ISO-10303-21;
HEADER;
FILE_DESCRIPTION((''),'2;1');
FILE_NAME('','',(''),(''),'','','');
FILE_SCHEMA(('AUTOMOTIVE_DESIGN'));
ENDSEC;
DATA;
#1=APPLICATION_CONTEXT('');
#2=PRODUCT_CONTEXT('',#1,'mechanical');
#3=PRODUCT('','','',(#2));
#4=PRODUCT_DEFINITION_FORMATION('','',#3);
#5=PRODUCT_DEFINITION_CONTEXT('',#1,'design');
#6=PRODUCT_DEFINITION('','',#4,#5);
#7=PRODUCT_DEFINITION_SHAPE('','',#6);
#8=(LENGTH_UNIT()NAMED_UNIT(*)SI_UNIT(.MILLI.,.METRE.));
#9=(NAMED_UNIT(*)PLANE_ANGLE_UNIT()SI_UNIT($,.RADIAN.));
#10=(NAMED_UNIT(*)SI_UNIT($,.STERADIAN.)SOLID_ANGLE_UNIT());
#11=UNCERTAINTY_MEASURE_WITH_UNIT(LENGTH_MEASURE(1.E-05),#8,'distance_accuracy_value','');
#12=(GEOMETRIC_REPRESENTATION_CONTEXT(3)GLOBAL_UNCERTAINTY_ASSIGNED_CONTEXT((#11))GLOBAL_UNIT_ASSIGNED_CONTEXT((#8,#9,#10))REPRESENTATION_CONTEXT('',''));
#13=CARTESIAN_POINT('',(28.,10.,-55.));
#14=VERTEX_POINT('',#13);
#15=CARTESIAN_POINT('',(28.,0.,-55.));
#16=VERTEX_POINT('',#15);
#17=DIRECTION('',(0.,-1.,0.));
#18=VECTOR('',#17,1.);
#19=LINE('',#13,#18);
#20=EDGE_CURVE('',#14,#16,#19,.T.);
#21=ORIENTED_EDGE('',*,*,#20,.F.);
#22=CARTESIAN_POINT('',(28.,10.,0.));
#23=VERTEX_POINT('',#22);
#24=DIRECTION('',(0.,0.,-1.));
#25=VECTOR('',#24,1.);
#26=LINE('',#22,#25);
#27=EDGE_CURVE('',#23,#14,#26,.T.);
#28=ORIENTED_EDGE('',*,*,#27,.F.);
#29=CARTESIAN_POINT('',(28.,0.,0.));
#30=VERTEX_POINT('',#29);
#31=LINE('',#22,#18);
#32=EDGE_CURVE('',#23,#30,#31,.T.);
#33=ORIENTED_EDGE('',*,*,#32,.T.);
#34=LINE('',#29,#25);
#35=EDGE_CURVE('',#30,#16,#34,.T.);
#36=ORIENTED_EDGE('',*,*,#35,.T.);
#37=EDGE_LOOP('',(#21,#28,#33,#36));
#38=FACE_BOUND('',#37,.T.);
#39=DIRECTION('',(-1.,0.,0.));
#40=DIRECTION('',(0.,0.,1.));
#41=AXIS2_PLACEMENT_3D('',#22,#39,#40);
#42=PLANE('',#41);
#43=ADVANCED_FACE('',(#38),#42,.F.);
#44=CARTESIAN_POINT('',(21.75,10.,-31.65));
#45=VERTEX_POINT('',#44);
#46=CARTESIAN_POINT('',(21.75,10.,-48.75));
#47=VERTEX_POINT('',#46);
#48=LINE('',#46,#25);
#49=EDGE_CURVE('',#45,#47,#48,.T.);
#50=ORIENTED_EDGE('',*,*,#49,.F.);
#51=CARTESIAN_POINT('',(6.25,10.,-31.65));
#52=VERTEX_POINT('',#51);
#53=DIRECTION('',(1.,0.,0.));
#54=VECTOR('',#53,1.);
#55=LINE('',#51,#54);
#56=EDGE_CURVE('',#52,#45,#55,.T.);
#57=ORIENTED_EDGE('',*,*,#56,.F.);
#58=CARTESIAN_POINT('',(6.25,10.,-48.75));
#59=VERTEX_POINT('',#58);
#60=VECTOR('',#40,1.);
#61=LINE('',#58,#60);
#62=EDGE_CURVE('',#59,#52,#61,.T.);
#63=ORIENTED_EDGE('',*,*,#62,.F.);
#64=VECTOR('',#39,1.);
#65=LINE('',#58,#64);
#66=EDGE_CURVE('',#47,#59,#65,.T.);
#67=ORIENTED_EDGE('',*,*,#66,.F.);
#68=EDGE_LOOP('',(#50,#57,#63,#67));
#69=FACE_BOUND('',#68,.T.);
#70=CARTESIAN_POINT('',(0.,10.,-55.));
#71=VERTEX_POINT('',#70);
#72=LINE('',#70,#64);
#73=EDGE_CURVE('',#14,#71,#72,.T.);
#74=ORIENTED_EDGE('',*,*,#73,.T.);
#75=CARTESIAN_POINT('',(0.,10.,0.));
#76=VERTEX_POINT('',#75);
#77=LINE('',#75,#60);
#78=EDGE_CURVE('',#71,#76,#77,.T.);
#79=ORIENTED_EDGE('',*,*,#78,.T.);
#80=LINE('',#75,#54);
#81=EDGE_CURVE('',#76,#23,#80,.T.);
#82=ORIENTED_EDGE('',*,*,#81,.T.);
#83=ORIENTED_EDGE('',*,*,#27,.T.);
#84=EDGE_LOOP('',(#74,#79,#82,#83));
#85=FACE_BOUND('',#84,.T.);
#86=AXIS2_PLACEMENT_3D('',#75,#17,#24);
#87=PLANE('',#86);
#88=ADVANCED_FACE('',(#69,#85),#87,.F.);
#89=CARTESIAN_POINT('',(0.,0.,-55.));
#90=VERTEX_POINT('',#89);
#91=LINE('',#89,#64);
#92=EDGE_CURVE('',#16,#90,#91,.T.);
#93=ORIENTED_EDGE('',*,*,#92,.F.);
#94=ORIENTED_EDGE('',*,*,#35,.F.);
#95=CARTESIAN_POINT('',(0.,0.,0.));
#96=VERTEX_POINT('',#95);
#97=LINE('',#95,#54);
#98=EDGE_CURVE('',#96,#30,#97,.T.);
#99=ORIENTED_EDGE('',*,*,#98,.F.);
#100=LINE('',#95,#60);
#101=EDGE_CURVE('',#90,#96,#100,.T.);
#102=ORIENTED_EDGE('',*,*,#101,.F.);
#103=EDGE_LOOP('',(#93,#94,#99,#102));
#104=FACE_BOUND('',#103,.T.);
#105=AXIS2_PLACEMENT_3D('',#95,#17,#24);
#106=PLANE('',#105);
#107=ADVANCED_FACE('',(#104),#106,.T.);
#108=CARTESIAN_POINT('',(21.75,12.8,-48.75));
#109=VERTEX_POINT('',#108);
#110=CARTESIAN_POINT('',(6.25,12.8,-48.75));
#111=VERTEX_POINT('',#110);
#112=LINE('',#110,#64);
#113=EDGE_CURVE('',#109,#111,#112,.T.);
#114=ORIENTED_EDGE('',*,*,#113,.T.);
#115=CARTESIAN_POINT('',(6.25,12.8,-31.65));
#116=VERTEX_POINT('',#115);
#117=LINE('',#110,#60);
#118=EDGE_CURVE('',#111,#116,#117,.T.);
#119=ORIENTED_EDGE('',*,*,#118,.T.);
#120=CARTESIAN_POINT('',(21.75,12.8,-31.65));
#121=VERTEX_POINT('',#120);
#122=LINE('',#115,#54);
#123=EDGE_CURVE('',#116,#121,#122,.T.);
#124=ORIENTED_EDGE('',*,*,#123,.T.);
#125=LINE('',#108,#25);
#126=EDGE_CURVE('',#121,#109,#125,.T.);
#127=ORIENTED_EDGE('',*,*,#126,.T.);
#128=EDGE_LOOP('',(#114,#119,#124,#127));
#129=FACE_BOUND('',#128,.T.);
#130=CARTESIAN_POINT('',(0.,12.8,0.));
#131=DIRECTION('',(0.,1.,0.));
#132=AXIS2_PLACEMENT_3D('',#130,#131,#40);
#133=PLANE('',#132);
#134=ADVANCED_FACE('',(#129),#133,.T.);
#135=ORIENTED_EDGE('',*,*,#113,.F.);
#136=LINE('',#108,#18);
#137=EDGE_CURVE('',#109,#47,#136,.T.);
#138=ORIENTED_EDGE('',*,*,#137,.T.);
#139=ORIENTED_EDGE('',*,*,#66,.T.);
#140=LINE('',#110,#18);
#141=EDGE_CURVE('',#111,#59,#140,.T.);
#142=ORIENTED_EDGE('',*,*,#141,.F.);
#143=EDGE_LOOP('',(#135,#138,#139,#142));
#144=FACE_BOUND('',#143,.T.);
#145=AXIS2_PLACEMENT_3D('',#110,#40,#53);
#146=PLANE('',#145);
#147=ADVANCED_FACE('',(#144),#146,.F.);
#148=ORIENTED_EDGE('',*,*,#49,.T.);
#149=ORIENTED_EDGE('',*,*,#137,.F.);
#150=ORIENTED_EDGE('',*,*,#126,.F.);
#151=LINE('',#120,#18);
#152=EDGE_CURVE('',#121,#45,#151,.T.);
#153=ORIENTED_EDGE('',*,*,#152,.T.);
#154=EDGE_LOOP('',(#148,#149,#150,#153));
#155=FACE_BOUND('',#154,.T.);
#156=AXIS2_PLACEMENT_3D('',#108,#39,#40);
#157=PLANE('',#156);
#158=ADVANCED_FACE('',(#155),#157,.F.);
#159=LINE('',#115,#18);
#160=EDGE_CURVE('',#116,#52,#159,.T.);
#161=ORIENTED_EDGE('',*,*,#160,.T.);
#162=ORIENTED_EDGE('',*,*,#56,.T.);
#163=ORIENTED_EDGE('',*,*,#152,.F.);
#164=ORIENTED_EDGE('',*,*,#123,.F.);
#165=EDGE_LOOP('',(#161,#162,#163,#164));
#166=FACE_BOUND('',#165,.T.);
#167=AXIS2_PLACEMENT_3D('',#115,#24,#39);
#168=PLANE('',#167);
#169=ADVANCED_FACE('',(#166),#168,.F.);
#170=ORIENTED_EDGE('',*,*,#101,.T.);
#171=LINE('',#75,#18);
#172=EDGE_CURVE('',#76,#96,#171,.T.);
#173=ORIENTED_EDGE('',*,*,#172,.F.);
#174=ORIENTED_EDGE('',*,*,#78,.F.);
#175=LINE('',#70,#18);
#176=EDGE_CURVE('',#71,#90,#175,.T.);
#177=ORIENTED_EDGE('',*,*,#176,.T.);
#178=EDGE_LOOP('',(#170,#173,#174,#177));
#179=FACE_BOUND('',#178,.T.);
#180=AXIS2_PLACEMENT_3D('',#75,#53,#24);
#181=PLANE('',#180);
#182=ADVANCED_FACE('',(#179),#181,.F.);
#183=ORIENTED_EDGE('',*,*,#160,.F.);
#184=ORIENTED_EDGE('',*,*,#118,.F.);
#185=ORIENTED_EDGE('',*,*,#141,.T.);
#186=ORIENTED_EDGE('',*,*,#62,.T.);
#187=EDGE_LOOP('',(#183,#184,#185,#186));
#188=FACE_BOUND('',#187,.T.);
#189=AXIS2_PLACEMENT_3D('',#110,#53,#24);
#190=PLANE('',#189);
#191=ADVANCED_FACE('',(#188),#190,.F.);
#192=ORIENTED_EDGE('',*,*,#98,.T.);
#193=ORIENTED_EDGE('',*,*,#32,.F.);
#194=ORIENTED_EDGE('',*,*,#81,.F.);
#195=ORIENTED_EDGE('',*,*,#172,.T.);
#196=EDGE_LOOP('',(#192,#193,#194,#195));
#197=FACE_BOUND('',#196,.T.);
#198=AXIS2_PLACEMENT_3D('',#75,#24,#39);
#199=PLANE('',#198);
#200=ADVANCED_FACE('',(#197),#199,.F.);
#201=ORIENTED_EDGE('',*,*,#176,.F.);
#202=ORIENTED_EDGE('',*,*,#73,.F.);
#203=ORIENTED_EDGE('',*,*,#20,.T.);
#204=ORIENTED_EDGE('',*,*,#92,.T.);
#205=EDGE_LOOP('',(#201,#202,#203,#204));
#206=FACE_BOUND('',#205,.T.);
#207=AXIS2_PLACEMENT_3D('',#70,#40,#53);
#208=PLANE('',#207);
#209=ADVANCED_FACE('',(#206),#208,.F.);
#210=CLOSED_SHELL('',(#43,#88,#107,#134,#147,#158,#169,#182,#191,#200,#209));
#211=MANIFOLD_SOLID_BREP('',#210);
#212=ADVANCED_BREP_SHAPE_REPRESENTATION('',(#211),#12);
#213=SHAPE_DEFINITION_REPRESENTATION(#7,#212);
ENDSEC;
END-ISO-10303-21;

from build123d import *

# Parameters (mm, degrees)
SKETCH2_W           = 28
SKETCH2_H           = 55
BOSS_EXTRUDE1_DEPTH = 10
SKETCH3_W           = 15.5
SKETCH3_H           = 17.1
BOSS_EXTRUDE2_DEPTH = 2.8


with BuildPart() as part:
    # Sketch2 → Boss-Extrude1 (new body)
    with BuildSketch(Plane(origin=(0, 0, 0), x_dir=(1, 0, 0), z_dir=(0, 1, 0))):
        with Locations((14, 27.5)):
            Rectangle(SKETCH2_W, SKETCH2_H)
    extrude(amount=BOSS_EXTRUDE1_DEPTH)

    # Sketch3 → Boss-Extrude2 (add)
    with BuildSketch(Plane(origin=(0, 10, 0), x_dir=(1, 0, 0), z_dir=(0, 1, 0))):
        with Locations((14, 40.2)):
            Rectangle(SKETCH3_W, SKETCH3_H)
    extrude(amount=BOSS_EXTRUDE2_DEPTH)


solid = part.part
